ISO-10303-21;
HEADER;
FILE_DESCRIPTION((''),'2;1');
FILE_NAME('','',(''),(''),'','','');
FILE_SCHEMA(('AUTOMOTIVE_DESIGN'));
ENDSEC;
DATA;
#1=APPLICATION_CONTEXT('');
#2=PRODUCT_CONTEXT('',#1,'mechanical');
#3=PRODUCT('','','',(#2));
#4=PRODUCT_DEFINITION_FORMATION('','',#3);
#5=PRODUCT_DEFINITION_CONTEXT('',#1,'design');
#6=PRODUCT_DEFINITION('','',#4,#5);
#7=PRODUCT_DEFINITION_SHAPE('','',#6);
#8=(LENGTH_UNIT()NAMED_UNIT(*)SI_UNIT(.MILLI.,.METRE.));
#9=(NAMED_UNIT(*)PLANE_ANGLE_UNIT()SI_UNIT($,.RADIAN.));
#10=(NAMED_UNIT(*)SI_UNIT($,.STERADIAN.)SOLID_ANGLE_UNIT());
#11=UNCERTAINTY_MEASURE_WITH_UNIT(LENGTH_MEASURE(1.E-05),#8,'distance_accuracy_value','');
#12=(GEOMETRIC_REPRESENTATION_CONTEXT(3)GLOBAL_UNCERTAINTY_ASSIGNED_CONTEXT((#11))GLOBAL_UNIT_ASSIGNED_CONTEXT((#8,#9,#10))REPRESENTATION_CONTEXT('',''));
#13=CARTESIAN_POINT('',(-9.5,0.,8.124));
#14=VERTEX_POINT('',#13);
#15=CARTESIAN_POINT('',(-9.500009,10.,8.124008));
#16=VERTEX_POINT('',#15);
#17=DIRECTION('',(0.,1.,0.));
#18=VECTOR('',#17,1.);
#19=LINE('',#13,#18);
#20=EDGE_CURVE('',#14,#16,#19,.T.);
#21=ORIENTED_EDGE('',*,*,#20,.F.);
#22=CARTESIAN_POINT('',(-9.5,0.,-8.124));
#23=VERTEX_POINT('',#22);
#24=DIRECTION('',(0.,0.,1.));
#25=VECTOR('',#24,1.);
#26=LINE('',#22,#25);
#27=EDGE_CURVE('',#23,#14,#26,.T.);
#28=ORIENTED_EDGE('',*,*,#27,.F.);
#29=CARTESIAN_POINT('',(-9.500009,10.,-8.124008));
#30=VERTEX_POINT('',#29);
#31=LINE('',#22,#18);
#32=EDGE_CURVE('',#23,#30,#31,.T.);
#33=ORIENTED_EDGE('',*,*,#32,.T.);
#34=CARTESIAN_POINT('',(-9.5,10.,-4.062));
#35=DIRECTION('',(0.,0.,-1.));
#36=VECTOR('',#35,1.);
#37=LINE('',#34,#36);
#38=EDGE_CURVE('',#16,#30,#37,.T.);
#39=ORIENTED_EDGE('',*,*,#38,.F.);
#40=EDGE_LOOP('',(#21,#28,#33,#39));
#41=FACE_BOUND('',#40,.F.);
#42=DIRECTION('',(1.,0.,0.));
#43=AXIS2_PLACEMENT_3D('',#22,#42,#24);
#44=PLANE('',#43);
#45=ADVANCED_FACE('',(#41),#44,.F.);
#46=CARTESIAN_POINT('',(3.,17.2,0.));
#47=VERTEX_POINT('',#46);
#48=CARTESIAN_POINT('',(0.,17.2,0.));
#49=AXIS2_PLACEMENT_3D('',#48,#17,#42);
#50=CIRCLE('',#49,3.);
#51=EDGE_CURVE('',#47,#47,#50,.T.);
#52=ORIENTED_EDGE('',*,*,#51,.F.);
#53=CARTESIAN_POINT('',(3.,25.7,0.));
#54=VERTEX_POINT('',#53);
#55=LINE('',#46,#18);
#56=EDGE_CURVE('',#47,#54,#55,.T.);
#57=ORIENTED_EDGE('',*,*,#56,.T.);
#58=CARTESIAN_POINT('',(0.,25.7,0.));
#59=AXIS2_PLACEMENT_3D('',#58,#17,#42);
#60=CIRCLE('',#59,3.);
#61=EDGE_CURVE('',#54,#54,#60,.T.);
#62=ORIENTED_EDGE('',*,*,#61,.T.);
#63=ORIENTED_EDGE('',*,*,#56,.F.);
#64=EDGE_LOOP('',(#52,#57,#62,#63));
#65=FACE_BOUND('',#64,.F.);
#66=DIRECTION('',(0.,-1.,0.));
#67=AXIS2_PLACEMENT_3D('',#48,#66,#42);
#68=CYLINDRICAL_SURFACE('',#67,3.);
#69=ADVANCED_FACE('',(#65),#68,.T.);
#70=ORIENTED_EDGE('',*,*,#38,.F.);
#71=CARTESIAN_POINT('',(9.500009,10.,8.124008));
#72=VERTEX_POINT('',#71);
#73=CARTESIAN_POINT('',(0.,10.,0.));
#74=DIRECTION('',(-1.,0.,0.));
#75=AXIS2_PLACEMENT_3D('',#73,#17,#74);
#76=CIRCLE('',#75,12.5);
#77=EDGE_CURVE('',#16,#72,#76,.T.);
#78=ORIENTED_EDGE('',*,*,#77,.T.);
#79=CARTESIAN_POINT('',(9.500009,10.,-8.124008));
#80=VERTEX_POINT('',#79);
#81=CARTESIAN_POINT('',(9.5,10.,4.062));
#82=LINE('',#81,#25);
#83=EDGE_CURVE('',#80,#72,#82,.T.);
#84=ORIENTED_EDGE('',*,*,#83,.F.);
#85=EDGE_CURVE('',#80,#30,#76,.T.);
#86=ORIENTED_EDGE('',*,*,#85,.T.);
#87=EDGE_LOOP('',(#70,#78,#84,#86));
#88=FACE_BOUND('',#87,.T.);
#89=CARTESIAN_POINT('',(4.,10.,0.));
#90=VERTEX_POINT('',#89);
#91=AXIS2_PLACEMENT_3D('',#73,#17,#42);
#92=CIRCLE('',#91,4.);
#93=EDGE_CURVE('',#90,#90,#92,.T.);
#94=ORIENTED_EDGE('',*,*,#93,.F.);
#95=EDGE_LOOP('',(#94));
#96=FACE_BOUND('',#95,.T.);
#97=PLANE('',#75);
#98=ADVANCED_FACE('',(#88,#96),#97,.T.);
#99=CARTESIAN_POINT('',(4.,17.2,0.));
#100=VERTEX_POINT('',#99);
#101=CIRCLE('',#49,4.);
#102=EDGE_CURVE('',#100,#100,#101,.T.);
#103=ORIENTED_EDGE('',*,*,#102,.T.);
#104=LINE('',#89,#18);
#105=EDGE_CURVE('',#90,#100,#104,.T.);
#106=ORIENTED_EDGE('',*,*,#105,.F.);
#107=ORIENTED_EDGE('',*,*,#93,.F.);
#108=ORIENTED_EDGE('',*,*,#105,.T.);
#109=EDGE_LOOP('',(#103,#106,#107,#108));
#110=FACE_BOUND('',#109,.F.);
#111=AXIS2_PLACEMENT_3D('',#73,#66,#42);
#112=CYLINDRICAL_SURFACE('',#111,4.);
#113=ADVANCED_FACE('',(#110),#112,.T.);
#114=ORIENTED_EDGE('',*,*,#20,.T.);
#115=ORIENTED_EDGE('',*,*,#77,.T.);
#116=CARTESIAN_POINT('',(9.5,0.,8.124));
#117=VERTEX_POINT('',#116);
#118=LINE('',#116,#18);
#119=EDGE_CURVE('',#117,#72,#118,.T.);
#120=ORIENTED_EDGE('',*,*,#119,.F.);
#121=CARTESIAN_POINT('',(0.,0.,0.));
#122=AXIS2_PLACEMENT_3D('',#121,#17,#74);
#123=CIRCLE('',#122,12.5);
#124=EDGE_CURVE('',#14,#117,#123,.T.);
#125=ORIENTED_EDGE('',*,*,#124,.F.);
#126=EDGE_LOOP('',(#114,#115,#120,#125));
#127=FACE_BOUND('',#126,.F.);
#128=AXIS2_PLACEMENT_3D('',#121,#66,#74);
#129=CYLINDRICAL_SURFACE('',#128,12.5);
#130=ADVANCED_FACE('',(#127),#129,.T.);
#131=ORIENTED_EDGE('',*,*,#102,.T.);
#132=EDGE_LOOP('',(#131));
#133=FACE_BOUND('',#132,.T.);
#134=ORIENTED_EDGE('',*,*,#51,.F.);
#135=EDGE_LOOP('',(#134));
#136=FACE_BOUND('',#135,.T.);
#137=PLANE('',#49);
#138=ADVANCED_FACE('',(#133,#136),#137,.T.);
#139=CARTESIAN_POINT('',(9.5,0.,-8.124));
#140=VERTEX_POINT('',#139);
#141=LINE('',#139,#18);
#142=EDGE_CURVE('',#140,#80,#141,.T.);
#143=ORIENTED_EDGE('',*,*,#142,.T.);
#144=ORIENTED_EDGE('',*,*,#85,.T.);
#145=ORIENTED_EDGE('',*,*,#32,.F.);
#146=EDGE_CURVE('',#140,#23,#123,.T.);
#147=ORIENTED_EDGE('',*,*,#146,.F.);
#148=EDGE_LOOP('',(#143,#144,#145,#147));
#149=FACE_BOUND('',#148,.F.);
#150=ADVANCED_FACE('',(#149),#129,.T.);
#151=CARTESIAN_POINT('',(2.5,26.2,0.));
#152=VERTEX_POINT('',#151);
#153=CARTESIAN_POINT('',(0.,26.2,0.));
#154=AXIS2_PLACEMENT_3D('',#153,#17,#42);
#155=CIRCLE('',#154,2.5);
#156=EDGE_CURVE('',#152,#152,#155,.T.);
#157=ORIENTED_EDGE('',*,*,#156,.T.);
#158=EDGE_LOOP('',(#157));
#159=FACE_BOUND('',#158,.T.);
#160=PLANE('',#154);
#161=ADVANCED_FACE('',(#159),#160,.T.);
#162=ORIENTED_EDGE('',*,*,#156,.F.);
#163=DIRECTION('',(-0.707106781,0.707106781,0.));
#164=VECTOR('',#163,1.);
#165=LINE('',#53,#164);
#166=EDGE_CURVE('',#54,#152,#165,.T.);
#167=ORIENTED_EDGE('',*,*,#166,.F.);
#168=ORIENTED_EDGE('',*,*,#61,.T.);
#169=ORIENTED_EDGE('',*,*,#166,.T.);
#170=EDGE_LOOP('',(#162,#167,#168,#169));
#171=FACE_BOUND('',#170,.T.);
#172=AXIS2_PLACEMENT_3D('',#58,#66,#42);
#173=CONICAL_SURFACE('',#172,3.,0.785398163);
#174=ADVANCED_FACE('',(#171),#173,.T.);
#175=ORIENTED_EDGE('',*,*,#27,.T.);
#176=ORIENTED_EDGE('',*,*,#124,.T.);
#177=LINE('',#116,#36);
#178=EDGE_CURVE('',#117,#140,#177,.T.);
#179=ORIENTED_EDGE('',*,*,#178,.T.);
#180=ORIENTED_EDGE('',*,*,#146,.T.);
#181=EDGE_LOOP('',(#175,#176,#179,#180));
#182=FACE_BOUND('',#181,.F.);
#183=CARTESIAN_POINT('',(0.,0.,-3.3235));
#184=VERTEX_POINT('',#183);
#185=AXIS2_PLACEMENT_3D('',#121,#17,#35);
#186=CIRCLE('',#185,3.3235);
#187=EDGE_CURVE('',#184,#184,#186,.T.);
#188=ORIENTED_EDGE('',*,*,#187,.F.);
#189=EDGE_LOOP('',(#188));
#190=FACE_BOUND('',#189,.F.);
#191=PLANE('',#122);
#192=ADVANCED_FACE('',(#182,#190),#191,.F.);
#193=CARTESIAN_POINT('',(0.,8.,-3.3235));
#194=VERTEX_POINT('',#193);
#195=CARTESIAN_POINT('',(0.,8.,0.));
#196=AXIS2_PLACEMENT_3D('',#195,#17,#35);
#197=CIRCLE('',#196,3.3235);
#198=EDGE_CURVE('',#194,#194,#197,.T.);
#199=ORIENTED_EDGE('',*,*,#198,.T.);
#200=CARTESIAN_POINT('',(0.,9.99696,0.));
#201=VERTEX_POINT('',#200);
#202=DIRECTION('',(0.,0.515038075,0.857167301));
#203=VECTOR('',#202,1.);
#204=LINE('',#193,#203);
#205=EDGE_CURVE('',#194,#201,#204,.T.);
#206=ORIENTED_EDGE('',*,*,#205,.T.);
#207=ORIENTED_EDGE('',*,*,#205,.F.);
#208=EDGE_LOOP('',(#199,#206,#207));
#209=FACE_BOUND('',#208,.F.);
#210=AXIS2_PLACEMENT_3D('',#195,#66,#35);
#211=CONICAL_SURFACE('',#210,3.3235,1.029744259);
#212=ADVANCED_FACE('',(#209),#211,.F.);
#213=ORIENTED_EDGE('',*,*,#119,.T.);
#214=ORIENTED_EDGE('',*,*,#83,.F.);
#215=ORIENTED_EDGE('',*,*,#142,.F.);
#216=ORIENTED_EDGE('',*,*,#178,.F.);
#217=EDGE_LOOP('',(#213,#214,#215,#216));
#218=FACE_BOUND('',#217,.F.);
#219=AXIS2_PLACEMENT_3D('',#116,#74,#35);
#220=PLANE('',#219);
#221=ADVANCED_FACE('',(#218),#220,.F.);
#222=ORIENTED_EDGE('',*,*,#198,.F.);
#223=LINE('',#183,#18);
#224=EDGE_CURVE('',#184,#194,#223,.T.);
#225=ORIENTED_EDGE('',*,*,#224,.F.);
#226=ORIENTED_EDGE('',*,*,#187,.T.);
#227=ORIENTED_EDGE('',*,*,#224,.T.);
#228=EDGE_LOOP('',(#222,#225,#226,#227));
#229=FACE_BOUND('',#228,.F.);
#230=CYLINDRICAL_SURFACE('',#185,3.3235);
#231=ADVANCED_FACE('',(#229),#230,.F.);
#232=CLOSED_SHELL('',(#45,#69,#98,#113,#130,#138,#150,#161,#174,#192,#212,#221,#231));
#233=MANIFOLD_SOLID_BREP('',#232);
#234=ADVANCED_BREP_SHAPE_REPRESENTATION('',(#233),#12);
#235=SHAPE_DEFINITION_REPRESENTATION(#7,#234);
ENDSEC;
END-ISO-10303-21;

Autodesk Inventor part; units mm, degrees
ref_plane "YZ Plane" through (0, 0, 0) normal (1, 0, 0) x (0, 1, 0)
ref_plane "XZ Plane" through (0, 0, 0) normal (0, 1, 0) x (-1, 0, 0)
ref_plane "XY Plane" through (0, 0, 0) normal (0, 0, 1) x (1, 0, 0)
sketch "Sketch1" plane through (0, 0, 0) normal (0, 1, 0) x (-1, 0, 0)
  circle A0 centre (0, 0) radius 12.5
  dimension "d0" = 25
extrude "Extrusion1" add sketch "Sketch1" along normal blind 10
sketch "Sketch2" plane through (0, 10, 0) normal (0, 1, 0) x (1, 0, 0)
  circle A0 centre (0, 0) radius 4
  dimension "d3" = 8
extrude "Extrusion2" add sketch "Sketch2" along normal blind 7.2
sketch "Sketch3" plane through (0, 17.2, 0) normal (0, 1, 0) x (1, 0, 0)
  circle A0 centre (0, 0) radius 4 projected
  circle A1 centre (0, 0) radius 3
  dimension "d6" = 6
extrude "Extrusion3" add sketch "Sketch3" along normal blind 9 contours A1
chamfer "Chamfer1" distance 0.5 angle 45 1 edges at (-3, 26.2, 0)
thread "Thread1" size "M6x1" class "6g" standard "ANSI Metric M Profile" length 16
sketch "Sketch4" plane through (0, 0, 0) normal (0, -1, 0) x (1, 0, 0)
  point P0 (0, 0)
  point P1 (0, 0)
hole "Hole1" at (0, 0, 0) direction (0, 1, 0) diameter 6.647 depth 8 tip angle 118 thread size "M8x1.25" class "6H" standard "ISO Metric profile"
sketch "Sketch5" plane through (0, 0, 0) normal (0, -1, 0) x (1, 0, 0)
  circle A0 centre (0, 0) radius 12.5 projected
  line L0 (9.5, -8.124) -> (-9.5, -8.124)
  line L1 (-9.5, -8.124) -> (-9.5, 8.124)
  line L2 (-9.5, 8.124) -> (9.5, 8.124)
  line L3 (9.5, 8.124) -> (9.5, -8.124)
  line L4 (9.5, -8.124) -> (-9.5, 8.124) construction
  line L5 (-9.5, -8.124) -> (9.5, 8.124) construction
  dimension "d21" = 19
extrude "Extrusion4" cut sketch "Sketch5" against normal through all contours A0 L3 | L1 A0
properties part number "Fixing Stud Pt 2"
